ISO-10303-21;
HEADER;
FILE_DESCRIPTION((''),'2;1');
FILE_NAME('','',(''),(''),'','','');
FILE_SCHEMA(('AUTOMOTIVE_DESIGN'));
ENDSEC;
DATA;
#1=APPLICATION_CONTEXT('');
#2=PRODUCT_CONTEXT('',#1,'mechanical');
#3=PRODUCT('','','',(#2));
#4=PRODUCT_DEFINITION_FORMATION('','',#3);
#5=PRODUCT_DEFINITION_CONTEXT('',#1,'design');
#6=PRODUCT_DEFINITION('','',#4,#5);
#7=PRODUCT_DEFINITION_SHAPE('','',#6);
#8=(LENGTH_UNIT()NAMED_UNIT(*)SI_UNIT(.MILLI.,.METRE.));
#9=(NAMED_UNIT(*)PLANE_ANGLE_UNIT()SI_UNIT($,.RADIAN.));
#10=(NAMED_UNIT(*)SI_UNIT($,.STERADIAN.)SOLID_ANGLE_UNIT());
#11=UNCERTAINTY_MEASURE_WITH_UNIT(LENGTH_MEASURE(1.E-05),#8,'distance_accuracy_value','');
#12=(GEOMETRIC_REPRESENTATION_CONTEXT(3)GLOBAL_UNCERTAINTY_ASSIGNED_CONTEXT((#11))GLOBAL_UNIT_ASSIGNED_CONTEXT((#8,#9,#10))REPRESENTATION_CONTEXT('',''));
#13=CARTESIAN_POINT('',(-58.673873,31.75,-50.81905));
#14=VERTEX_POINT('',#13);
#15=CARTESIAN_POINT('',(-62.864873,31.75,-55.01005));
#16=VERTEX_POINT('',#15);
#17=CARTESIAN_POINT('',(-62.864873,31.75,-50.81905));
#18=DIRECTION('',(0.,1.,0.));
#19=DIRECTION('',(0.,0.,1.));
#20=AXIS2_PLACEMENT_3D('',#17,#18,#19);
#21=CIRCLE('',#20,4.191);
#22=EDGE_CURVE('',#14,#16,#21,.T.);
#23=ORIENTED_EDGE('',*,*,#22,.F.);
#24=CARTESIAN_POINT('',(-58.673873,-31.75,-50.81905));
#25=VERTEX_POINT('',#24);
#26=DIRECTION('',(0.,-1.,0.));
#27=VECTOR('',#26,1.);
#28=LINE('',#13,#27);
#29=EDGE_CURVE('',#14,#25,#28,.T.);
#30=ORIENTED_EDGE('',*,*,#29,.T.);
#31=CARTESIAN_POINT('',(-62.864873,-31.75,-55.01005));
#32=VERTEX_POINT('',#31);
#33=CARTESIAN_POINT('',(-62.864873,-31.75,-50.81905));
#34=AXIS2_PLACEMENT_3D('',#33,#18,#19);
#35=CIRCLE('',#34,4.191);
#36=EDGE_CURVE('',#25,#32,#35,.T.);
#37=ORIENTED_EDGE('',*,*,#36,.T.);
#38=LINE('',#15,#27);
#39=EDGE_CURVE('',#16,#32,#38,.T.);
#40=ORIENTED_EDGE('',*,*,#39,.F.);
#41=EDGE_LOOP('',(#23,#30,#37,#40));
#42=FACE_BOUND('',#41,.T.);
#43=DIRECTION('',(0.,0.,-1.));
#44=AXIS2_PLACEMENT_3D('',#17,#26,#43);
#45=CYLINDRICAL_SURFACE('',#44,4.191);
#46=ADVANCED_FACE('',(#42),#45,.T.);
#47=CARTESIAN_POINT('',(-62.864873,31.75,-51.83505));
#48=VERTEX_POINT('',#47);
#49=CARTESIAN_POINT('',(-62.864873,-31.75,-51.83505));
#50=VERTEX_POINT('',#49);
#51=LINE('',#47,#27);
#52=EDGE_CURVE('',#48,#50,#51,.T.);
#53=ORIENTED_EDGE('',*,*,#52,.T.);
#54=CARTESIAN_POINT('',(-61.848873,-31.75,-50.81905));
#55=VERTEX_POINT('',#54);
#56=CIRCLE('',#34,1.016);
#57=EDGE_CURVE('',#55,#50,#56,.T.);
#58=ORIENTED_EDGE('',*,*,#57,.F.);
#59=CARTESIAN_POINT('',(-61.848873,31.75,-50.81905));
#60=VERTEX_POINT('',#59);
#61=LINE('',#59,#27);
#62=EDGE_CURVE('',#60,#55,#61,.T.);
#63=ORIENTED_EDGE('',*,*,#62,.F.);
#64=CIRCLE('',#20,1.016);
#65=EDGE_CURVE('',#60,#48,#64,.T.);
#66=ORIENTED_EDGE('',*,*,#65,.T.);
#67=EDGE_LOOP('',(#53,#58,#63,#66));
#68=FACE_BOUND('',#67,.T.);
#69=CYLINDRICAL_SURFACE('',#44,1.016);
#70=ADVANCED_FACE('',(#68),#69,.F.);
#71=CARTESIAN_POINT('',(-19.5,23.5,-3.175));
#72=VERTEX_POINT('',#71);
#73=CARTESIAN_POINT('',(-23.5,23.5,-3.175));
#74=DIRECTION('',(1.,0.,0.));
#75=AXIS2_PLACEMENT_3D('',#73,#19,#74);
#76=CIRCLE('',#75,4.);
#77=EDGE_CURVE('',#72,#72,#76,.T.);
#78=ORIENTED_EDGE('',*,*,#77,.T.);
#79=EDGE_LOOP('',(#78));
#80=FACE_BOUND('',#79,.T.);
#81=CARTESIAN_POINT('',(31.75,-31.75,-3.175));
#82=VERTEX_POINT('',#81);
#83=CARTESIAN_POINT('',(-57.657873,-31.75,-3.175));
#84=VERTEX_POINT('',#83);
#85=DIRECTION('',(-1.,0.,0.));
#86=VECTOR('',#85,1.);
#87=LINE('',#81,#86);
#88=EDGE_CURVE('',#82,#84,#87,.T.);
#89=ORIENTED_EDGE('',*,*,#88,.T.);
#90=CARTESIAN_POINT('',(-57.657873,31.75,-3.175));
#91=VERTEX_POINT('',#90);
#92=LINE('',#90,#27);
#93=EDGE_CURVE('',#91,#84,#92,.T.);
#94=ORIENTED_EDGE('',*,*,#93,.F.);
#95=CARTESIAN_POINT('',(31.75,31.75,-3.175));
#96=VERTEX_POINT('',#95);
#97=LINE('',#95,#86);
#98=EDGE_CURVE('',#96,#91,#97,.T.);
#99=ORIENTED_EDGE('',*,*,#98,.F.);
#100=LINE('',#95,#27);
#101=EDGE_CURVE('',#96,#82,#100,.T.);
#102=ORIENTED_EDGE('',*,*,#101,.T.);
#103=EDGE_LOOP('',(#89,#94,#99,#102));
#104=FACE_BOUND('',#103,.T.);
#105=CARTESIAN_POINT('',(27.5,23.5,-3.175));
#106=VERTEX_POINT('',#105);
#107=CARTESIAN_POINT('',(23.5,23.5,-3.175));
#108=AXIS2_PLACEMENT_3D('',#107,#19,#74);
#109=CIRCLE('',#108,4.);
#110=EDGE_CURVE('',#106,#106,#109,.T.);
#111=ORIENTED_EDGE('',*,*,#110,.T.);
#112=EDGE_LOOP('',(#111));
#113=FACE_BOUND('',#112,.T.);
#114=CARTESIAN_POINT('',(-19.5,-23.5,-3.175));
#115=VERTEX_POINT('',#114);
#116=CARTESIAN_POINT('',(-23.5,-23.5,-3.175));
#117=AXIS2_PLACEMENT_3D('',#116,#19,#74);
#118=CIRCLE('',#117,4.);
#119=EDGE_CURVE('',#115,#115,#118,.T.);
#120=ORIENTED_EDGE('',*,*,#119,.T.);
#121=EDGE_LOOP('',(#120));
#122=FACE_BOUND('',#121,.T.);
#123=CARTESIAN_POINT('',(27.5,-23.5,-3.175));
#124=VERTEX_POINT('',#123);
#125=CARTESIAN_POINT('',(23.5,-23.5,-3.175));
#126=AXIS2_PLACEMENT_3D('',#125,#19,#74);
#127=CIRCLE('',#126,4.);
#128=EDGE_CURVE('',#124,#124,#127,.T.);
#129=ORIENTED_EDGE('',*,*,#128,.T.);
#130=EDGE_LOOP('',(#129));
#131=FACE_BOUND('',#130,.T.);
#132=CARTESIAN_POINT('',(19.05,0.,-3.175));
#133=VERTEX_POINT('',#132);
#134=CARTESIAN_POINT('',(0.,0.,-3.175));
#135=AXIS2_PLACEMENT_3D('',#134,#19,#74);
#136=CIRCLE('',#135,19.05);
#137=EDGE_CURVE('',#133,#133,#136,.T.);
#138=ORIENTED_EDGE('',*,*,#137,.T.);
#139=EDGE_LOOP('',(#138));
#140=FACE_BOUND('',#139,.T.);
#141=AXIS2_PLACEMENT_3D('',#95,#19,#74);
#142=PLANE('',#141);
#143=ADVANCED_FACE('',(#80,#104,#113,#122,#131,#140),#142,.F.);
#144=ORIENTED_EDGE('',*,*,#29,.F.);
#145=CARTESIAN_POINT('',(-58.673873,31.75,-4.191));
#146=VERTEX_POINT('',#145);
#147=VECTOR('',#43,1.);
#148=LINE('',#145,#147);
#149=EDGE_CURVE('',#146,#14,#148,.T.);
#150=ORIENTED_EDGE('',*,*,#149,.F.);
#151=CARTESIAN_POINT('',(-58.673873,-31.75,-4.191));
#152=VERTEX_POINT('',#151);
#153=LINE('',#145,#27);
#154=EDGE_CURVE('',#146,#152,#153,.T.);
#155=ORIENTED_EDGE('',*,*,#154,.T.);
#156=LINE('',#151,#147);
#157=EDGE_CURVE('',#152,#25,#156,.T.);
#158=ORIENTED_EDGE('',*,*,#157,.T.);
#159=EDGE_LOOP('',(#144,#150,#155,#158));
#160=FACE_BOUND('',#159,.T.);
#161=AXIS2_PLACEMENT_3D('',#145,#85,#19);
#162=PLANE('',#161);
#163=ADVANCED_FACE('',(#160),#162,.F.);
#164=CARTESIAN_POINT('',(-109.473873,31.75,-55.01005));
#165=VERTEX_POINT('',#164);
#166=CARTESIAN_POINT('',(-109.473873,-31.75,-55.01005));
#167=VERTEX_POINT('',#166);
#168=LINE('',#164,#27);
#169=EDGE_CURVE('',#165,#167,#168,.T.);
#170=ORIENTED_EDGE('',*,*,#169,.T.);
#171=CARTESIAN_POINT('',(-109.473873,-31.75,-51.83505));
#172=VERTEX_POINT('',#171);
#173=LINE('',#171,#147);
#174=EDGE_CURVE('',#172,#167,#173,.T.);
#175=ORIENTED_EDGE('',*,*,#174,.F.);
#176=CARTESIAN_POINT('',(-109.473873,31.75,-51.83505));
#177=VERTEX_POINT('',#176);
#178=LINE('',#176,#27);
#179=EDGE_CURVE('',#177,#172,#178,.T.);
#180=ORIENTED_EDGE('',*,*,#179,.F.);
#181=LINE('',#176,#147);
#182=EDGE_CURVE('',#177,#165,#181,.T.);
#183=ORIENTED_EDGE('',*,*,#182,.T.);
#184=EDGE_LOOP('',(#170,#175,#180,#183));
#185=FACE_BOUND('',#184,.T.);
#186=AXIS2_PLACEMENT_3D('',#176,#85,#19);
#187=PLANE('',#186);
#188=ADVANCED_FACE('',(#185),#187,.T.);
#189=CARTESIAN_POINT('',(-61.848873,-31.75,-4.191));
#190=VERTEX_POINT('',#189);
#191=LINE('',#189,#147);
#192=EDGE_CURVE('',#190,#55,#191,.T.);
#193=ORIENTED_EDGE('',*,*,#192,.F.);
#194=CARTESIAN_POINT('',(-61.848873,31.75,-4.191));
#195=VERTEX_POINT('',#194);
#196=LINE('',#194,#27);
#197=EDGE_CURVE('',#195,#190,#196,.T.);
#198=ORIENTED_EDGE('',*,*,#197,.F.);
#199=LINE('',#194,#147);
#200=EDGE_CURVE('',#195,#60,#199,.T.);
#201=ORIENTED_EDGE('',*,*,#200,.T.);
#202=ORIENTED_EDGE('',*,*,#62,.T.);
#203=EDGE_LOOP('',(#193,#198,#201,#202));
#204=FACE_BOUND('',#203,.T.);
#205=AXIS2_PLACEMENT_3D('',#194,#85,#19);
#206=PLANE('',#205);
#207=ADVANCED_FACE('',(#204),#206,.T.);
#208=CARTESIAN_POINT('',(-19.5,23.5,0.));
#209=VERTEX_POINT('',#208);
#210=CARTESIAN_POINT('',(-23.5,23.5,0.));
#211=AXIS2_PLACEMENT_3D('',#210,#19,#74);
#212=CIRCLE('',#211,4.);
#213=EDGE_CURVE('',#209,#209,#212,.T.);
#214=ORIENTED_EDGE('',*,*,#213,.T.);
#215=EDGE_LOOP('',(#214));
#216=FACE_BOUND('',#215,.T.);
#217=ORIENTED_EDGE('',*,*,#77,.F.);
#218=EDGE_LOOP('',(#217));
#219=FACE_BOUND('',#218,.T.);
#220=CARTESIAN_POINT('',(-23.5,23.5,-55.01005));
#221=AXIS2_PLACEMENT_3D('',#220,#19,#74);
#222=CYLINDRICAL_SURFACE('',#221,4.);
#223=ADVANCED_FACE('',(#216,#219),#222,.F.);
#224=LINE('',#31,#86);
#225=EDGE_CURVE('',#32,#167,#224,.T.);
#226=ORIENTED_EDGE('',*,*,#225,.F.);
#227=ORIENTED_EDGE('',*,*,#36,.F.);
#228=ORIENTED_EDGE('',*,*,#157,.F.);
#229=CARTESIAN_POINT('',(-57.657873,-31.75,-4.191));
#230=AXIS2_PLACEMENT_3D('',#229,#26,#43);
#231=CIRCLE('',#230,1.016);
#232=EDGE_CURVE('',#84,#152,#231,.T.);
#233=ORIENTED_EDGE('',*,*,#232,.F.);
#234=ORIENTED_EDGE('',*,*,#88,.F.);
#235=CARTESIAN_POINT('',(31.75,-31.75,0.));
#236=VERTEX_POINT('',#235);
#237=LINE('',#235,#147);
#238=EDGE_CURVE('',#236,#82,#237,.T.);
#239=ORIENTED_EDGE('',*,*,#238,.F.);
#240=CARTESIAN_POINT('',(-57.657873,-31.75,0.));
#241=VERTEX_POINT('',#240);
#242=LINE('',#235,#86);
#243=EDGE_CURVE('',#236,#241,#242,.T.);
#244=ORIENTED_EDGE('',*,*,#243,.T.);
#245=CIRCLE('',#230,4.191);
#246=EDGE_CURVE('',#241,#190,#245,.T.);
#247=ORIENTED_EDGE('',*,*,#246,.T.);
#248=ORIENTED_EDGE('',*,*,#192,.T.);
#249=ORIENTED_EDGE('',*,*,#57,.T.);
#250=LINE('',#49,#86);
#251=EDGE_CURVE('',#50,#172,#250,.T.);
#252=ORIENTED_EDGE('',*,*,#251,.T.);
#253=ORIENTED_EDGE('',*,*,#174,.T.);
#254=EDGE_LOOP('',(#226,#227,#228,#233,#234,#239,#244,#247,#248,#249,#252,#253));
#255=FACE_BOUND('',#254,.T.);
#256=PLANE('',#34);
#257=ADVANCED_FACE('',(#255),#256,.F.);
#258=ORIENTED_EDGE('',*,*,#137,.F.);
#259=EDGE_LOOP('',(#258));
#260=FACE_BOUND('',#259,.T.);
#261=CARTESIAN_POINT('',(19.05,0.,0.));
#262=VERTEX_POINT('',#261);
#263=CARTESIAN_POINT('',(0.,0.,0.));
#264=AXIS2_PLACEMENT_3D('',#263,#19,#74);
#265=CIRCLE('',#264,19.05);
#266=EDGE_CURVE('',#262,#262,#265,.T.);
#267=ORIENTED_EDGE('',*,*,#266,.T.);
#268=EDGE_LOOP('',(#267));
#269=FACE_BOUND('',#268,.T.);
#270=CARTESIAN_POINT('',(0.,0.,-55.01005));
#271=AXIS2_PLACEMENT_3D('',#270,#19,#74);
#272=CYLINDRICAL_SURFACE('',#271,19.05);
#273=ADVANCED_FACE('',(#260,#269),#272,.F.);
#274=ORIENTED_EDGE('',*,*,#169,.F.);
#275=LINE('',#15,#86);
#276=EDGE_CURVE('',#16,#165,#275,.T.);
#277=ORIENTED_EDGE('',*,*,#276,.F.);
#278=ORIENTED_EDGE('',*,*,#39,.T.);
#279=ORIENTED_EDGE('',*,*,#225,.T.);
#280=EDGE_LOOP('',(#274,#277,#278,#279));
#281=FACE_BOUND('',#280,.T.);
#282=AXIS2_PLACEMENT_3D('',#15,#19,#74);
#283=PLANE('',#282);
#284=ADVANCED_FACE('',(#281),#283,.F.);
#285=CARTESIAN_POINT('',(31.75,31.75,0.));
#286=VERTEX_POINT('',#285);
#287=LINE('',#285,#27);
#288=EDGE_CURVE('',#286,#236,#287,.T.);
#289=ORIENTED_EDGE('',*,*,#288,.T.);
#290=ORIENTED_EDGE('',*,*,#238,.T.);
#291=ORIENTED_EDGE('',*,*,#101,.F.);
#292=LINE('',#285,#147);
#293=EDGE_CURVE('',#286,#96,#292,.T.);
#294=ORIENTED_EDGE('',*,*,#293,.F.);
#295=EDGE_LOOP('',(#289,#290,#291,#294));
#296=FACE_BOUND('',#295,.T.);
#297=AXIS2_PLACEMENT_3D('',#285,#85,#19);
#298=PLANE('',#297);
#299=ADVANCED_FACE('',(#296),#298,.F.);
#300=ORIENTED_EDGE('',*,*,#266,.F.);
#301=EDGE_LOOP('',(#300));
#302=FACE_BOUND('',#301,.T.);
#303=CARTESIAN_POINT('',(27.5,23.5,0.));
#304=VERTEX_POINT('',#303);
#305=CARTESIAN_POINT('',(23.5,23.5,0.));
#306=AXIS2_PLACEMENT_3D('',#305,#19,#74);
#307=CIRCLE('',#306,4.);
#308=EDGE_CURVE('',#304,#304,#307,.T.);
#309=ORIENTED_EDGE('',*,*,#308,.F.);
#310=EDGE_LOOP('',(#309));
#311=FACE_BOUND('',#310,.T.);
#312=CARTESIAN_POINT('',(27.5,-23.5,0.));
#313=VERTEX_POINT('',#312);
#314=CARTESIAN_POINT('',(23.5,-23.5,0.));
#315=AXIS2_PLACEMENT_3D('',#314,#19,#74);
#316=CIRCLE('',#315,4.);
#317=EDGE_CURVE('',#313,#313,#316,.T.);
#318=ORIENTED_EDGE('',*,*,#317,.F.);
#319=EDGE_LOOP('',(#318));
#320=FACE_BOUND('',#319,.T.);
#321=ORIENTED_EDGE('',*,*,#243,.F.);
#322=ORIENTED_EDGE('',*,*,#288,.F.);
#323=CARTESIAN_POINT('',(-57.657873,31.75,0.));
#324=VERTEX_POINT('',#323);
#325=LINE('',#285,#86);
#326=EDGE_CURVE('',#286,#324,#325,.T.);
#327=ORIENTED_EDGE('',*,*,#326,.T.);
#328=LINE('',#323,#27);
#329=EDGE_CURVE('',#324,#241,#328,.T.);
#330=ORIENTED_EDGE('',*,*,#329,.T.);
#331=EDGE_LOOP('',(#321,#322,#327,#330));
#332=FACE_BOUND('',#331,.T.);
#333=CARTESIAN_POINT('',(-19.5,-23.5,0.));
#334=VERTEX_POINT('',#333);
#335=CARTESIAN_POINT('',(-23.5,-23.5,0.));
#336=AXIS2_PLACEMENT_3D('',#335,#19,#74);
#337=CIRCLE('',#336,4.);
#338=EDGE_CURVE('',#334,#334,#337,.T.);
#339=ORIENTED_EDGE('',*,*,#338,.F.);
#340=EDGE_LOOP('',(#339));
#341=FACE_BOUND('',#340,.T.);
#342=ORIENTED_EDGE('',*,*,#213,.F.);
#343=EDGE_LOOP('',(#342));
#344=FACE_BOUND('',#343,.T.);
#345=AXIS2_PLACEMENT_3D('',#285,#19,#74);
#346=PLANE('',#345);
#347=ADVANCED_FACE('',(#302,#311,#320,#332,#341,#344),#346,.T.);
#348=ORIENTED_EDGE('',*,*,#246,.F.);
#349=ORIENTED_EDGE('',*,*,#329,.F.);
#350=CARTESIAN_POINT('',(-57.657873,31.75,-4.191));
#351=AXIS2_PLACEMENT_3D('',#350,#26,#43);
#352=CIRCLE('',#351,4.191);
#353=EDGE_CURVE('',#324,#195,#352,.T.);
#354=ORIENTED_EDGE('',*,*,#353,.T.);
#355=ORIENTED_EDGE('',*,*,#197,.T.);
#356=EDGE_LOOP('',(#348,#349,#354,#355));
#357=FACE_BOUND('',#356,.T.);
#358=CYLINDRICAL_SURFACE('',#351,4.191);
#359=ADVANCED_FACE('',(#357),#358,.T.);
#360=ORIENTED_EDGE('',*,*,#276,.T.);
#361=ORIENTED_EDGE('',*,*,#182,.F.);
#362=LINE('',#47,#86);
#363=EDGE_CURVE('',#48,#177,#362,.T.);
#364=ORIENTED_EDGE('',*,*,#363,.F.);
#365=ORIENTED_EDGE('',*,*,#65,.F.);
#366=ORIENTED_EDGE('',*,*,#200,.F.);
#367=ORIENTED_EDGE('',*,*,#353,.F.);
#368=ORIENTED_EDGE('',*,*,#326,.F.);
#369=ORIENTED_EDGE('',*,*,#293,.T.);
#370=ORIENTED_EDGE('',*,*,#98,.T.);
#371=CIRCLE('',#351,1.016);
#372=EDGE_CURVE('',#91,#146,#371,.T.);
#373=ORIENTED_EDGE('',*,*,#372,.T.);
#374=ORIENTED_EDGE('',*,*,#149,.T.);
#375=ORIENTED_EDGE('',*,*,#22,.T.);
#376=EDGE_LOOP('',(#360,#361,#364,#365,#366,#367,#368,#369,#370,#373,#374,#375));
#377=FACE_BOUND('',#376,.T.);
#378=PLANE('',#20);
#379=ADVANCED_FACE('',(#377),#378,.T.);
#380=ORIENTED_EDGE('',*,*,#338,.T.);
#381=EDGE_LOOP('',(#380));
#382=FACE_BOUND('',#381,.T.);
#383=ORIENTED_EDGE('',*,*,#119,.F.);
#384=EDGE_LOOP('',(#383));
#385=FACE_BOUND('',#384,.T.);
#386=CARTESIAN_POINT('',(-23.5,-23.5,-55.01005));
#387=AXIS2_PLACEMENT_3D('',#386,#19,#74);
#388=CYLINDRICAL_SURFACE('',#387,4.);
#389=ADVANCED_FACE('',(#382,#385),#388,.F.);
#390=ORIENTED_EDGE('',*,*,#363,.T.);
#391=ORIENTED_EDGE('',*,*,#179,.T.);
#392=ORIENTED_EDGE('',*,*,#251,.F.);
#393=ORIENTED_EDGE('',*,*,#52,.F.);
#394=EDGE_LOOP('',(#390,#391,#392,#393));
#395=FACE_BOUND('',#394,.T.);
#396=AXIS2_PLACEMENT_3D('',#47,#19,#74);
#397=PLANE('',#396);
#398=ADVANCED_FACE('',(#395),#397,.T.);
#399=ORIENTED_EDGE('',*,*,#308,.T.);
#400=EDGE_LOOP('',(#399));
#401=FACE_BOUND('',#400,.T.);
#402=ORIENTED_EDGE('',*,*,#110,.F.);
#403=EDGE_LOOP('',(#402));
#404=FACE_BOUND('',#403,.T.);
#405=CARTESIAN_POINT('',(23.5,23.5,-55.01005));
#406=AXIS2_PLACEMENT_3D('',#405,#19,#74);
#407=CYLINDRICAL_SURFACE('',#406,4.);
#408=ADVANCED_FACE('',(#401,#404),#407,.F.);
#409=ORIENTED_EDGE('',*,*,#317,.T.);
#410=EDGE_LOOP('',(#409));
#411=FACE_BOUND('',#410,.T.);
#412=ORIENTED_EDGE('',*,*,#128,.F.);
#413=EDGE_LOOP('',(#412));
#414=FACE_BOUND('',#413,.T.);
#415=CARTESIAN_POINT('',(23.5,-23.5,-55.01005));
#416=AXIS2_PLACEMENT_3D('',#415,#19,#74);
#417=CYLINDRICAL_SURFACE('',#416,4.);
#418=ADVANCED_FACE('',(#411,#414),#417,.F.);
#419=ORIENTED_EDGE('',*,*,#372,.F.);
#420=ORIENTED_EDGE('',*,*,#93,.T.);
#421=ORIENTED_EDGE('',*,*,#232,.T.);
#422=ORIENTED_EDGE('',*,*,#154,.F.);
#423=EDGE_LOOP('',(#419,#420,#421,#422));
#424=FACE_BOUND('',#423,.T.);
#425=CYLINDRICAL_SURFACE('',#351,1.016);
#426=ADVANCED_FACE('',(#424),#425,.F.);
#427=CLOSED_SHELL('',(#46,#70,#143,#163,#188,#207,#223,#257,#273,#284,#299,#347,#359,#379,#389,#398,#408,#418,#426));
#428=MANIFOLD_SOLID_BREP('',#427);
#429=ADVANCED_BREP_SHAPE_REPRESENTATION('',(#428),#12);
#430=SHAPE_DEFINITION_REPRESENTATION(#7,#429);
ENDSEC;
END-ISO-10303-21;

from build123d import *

# Parameters (mm, degrees)
BOSS_EXTRUDE1_DEPTH     = 31.75
CUT_EXTRUDE1_DEPTH      = 127.564991094
CUT_EXTRUDE1_DEPTH_BACK = 127.564991094
SKETCH1_R               = 19.05
SKETCH1_R_2             = 4


with BuildPart() as part:
    # Sketch2 → Boss-Extrude1 (new, symmetric)
    with BuildSketch(Plane(origin=(0, 0, 0), x_dir=(1, 0, 0), z_dir=(0, 1, 0))):
        with BuildLine():
            Line((31.75, 0), (-57.657873, 0))
            ThreePointArc((-57.657873, 0), (-60.62135752, 1.22751548), (-61.848873, 4.191))
            Line((-61.848873, 4.191), (-61.848873, 50.81905))
            ThreePointArc((-61.848873, 50.81905), (-62.14645251, 51.53747049), (-62.864873, 51.83505))
            Line((-62.864873, 51.83505), (-109.473873, 51.83505))
            Line((-109.473873, 51.83505), (-109.473873, 55.01005))
            Line((-109.473873, 55.01005), (-62.864873, 55.01005))
            ThreePointArc((-62.864873, 55.01005), (-59.90138848, 53.78253452), (-58.673873, 50.81905))
            Line((-58.673873, 50.81905), (-58.673873, 4.191))
            ThreePointArc((-58.673873, 4.191), (-58.37629349, 3.47257951), (-57.657873, 3.175))
            Line((-57.657873, 3.175), (31.75, 3.175))
            Line((31.75, 3.175), (31.75, 0))
        make_face()
    extrude(amount=BOSS_EXTRUDE1_DEPTH, both=True)

    # Sketch1 → Cut-Extrude1 (cut, two sides: drawn at the far end of the back side and taken through both)
    with BuildSketch(Plane.XY.offset(-CUT_EXTRUDE1_DEPTH_BACK)):
        Circle(SKETCH1_R)
        with Locations((23.5, 23.5)):
            Circle(SKETCH1_R_2)
        with Locations((23.5, -23.5)):
            Circle(SKETCH1_R_2)
        with Locations((-23.5, -23.5)):
            Circle(SKETCH1_R_2)
        with Locations((-23.5, 23.5)):
            Circle(SKETCH1_R_2)
    extrude(amount=CUT_EXTRUDE1_DEPTH + CUT_EXTRUDE1_DEPTH_BACK, mode=Mode.SUBTRACT)


solid = part.part
